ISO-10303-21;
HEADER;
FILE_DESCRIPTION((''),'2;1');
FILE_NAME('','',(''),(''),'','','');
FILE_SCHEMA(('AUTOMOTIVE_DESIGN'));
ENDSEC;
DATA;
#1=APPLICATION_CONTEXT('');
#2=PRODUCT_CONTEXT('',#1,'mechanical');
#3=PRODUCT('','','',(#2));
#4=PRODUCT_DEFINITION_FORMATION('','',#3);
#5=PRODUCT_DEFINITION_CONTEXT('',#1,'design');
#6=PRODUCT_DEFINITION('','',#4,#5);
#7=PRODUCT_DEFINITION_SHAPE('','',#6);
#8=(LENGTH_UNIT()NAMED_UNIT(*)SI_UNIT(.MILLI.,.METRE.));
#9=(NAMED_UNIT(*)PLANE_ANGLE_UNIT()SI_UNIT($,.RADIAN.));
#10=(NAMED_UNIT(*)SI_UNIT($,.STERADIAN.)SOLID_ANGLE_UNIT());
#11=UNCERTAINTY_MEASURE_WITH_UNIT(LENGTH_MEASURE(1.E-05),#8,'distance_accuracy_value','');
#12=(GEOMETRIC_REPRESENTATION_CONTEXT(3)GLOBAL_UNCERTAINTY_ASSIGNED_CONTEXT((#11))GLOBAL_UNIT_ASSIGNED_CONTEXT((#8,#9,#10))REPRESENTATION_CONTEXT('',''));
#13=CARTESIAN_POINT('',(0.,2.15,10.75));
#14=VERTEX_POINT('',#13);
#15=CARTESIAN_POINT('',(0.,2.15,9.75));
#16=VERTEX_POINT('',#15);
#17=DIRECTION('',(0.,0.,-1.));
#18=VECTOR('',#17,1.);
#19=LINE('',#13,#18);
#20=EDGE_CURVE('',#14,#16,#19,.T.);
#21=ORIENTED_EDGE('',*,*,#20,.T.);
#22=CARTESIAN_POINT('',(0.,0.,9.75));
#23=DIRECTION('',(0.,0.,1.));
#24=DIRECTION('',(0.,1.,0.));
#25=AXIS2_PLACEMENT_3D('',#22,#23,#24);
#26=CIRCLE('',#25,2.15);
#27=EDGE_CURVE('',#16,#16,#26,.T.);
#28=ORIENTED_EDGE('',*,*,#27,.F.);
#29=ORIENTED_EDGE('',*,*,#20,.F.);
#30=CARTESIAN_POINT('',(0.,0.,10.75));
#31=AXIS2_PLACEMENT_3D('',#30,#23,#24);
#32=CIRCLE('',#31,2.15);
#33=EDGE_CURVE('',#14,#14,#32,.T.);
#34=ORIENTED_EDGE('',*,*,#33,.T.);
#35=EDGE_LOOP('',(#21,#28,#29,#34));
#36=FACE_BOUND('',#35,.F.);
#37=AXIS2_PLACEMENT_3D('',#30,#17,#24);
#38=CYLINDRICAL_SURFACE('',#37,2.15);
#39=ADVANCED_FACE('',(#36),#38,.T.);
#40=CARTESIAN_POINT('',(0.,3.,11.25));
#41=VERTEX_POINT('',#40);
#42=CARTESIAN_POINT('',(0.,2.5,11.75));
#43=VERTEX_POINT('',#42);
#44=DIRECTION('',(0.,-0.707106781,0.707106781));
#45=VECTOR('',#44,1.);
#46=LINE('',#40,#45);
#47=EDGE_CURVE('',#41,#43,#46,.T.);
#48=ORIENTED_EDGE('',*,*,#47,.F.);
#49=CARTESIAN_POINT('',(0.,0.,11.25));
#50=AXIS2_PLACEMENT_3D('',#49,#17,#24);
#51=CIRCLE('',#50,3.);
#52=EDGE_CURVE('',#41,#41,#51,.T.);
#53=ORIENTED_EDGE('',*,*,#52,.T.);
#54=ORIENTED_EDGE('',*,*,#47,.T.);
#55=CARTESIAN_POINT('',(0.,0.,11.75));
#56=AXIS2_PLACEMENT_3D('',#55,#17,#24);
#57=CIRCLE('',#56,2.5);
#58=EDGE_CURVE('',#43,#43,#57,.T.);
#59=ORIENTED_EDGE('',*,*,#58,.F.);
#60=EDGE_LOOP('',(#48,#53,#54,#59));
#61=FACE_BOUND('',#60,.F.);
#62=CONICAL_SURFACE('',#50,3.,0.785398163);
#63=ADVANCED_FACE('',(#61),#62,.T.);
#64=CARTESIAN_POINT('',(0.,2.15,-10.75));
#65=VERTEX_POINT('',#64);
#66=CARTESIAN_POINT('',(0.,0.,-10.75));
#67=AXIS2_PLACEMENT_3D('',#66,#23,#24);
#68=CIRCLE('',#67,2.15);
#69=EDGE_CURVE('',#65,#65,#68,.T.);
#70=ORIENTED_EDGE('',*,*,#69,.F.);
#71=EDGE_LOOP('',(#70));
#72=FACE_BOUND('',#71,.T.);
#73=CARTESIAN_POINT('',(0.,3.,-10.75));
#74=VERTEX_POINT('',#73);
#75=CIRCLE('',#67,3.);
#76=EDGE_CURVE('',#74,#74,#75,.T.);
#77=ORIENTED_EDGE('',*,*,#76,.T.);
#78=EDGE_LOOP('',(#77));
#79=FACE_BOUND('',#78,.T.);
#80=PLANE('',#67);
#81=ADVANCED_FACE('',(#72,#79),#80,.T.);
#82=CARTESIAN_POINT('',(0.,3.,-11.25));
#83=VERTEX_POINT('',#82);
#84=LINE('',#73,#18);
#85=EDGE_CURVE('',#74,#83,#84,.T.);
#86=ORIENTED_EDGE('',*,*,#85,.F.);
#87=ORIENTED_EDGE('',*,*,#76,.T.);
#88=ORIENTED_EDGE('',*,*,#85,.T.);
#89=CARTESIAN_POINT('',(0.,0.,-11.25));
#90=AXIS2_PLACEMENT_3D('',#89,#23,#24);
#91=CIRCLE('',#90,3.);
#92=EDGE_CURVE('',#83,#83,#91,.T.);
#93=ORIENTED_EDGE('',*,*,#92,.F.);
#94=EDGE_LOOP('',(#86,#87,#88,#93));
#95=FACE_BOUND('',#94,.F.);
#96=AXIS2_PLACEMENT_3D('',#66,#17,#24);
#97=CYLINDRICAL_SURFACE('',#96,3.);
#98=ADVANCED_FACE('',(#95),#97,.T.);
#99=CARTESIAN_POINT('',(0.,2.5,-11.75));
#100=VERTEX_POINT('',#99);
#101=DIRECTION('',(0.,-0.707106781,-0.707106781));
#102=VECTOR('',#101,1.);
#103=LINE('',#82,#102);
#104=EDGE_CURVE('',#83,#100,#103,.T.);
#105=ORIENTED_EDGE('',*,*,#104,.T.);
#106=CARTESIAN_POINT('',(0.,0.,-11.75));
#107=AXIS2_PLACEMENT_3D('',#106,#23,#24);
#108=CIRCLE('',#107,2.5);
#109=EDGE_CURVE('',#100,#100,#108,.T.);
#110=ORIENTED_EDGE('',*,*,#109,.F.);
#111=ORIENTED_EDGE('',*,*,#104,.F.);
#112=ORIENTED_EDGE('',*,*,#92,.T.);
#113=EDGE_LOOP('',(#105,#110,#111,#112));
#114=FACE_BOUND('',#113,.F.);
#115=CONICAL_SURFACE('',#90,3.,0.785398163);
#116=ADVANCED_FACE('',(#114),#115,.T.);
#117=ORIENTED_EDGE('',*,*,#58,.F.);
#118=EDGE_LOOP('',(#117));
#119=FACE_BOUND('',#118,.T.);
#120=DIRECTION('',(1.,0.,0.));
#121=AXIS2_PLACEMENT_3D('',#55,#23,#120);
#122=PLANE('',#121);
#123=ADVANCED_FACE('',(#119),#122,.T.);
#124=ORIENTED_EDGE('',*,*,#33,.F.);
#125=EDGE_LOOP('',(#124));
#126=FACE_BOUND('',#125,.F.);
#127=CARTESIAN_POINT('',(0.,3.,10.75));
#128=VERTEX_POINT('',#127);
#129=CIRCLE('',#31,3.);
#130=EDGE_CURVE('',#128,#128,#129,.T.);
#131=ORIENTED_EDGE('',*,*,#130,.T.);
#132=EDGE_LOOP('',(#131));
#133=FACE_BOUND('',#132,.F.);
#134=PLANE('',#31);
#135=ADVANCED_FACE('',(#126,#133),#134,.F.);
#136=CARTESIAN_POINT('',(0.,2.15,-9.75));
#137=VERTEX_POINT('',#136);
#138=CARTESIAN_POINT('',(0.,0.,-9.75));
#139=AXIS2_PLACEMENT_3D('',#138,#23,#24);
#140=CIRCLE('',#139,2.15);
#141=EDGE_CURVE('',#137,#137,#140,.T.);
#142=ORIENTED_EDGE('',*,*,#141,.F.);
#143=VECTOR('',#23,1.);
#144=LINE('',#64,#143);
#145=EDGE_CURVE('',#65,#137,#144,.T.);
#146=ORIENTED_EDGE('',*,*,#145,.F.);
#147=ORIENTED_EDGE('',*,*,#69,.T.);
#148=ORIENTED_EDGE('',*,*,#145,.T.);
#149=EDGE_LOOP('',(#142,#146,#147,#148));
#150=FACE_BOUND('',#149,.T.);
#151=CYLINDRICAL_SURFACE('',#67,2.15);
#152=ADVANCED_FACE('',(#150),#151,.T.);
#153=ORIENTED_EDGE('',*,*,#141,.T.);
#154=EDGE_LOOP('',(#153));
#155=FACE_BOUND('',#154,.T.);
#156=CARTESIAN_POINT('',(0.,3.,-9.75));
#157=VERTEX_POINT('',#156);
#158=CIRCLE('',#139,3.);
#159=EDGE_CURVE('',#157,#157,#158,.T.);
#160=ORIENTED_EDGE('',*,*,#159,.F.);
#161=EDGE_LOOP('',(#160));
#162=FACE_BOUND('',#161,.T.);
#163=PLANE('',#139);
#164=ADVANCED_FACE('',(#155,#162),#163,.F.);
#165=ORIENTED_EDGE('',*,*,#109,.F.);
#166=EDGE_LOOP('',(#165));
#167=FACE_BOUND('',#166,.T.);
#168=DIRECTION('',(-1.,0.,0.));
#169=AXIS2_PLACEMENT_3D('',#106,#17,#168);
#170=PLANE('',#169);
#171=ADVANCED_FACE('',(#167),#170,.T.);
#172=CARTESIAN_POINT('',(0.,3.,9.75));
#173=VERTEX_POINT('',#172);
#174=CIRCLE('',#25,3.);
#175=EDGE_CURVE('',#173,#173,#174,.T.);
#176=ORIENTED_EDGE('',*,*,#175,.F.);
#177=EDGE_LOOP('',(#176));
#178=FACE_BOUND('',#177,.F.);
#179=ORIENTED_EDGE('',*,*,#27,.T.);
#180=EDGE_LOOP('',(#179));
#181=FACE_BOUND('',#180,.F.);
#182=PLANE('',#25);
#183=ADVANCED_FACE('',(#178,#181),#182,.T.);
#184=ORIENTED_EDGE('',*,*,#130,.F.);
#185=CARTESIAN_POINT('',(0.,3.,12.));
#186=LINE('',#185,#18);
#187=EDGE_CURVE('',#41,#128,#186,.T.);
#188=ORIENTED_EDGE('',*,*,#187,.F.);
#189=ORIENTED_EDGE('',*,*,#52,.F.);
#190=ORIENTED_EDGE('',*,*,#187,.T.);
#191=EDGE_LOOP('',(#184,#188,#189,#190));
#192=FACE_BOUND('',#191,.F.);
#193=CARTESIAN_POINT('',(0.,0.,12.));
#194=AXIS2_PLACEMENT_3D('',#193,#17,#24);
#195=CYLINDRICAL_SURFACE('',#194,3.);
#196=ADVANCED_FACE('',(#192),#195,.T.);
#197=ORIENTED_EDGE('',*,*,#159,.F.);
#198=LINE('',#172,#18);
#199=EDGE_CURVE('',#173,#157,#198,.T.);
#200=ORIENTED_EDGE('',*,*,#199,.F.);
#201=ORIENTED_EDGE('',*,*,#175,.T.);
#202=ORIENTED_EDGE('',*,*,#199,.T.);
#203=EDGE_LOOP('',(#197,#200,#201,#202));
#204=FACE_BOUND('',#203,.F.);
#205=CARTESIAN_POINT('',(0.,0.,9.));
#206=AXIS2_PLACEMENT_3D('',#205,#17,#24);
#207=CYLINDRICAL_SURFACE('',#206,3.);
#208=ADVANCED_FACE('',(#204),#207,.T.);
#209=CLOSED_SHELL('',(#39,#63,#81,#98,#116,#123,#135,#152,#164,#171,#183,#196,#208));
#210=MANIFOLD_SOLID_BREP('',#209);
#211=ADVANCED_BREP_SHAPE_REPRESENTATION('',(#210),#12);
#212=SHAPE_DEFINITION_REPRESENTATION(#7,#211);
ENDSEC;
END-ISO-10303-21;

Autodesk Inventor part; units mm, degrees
ref_plane "YZ Plane" through (0, 0, 0) normal (1, 0, 0) x (0, 1, 0)
ref_plane "XZ Plane" through (0, 0, 0) normal (0, 1, 0) x (-1, 0, 0)
ref_plane "XY Plane" through (0, 0, 0) normal (0, 0, 1) x (1, 0, 0)
sketch "Sketch1" plane through (0, 0, 0) normal (1, 0, 0) x (0, 1, 0)
  line L0 (0, -12) -> (3, -12)
  line L1 (3, 12) -> (0, 12)
  line L2 (0, 12) -> (0, -12)
  line L3 (3, 9) -> (3, -9)
  line L4 (3, 0) -> (0, 0)
  line L5 (0, -9.75) -> (0, 9.75)
  line L6 (3, 9.75) -> (3, -9.75)
  line L7 (3, 10.75) -> (2.15, 10.75)
  line L8 (2.15, 10.75) -> (2.15, 9.75)
  line L9 (3, 12) -> (3, 10.75)
  line L10 (2.15, 9.75) -> (3, 9.75)
  line L11 (3, -10.75) -> (2.15, -10.75)
  line L12 (2.15, -10.75) -> (2.15, -9.75)
  line L13 (2.15, -9.75) -> (3, -9.75)
  line L14 (3, -10.75) -> (3, -12)
  line L15 (0, -16.8) -> (0, 16.8) projected
  point P0 (1.5, 0)
  dimension "d12" = 19.5
  dimension "d13" = 1
  dimension "d14" = 0.85
  dimension "d16" = 1
revolve "Revolution1" add sketch "Sketch1" angle 360 about axis through (0, 0, -10) along (0, 0, 1)
sketch "Sketch2" plane through (0, 0, 12) normal (0, 0, 1) x (1, 0, 0)
  circle A0 centre (0, 0) radius 3 projected
extrude "Extrusion1" cut sketch "Sketch2" against normal blind 0.25
sketch "Sketch3" plane through (0, 0, -12) normal (0, 0, -1) x (-1, 0, 0)
  circle A0 centre (0, 0) radius 3 projected
extrude "Extrusion2" cut sketch "Sketch3" against normal blind 0.25
chamfer "Chamfer1" distance 0.5 angle 45 2 edges at (0, -3, -11.75) (0, -3, 11.75)
properties part number "hridelka1"
